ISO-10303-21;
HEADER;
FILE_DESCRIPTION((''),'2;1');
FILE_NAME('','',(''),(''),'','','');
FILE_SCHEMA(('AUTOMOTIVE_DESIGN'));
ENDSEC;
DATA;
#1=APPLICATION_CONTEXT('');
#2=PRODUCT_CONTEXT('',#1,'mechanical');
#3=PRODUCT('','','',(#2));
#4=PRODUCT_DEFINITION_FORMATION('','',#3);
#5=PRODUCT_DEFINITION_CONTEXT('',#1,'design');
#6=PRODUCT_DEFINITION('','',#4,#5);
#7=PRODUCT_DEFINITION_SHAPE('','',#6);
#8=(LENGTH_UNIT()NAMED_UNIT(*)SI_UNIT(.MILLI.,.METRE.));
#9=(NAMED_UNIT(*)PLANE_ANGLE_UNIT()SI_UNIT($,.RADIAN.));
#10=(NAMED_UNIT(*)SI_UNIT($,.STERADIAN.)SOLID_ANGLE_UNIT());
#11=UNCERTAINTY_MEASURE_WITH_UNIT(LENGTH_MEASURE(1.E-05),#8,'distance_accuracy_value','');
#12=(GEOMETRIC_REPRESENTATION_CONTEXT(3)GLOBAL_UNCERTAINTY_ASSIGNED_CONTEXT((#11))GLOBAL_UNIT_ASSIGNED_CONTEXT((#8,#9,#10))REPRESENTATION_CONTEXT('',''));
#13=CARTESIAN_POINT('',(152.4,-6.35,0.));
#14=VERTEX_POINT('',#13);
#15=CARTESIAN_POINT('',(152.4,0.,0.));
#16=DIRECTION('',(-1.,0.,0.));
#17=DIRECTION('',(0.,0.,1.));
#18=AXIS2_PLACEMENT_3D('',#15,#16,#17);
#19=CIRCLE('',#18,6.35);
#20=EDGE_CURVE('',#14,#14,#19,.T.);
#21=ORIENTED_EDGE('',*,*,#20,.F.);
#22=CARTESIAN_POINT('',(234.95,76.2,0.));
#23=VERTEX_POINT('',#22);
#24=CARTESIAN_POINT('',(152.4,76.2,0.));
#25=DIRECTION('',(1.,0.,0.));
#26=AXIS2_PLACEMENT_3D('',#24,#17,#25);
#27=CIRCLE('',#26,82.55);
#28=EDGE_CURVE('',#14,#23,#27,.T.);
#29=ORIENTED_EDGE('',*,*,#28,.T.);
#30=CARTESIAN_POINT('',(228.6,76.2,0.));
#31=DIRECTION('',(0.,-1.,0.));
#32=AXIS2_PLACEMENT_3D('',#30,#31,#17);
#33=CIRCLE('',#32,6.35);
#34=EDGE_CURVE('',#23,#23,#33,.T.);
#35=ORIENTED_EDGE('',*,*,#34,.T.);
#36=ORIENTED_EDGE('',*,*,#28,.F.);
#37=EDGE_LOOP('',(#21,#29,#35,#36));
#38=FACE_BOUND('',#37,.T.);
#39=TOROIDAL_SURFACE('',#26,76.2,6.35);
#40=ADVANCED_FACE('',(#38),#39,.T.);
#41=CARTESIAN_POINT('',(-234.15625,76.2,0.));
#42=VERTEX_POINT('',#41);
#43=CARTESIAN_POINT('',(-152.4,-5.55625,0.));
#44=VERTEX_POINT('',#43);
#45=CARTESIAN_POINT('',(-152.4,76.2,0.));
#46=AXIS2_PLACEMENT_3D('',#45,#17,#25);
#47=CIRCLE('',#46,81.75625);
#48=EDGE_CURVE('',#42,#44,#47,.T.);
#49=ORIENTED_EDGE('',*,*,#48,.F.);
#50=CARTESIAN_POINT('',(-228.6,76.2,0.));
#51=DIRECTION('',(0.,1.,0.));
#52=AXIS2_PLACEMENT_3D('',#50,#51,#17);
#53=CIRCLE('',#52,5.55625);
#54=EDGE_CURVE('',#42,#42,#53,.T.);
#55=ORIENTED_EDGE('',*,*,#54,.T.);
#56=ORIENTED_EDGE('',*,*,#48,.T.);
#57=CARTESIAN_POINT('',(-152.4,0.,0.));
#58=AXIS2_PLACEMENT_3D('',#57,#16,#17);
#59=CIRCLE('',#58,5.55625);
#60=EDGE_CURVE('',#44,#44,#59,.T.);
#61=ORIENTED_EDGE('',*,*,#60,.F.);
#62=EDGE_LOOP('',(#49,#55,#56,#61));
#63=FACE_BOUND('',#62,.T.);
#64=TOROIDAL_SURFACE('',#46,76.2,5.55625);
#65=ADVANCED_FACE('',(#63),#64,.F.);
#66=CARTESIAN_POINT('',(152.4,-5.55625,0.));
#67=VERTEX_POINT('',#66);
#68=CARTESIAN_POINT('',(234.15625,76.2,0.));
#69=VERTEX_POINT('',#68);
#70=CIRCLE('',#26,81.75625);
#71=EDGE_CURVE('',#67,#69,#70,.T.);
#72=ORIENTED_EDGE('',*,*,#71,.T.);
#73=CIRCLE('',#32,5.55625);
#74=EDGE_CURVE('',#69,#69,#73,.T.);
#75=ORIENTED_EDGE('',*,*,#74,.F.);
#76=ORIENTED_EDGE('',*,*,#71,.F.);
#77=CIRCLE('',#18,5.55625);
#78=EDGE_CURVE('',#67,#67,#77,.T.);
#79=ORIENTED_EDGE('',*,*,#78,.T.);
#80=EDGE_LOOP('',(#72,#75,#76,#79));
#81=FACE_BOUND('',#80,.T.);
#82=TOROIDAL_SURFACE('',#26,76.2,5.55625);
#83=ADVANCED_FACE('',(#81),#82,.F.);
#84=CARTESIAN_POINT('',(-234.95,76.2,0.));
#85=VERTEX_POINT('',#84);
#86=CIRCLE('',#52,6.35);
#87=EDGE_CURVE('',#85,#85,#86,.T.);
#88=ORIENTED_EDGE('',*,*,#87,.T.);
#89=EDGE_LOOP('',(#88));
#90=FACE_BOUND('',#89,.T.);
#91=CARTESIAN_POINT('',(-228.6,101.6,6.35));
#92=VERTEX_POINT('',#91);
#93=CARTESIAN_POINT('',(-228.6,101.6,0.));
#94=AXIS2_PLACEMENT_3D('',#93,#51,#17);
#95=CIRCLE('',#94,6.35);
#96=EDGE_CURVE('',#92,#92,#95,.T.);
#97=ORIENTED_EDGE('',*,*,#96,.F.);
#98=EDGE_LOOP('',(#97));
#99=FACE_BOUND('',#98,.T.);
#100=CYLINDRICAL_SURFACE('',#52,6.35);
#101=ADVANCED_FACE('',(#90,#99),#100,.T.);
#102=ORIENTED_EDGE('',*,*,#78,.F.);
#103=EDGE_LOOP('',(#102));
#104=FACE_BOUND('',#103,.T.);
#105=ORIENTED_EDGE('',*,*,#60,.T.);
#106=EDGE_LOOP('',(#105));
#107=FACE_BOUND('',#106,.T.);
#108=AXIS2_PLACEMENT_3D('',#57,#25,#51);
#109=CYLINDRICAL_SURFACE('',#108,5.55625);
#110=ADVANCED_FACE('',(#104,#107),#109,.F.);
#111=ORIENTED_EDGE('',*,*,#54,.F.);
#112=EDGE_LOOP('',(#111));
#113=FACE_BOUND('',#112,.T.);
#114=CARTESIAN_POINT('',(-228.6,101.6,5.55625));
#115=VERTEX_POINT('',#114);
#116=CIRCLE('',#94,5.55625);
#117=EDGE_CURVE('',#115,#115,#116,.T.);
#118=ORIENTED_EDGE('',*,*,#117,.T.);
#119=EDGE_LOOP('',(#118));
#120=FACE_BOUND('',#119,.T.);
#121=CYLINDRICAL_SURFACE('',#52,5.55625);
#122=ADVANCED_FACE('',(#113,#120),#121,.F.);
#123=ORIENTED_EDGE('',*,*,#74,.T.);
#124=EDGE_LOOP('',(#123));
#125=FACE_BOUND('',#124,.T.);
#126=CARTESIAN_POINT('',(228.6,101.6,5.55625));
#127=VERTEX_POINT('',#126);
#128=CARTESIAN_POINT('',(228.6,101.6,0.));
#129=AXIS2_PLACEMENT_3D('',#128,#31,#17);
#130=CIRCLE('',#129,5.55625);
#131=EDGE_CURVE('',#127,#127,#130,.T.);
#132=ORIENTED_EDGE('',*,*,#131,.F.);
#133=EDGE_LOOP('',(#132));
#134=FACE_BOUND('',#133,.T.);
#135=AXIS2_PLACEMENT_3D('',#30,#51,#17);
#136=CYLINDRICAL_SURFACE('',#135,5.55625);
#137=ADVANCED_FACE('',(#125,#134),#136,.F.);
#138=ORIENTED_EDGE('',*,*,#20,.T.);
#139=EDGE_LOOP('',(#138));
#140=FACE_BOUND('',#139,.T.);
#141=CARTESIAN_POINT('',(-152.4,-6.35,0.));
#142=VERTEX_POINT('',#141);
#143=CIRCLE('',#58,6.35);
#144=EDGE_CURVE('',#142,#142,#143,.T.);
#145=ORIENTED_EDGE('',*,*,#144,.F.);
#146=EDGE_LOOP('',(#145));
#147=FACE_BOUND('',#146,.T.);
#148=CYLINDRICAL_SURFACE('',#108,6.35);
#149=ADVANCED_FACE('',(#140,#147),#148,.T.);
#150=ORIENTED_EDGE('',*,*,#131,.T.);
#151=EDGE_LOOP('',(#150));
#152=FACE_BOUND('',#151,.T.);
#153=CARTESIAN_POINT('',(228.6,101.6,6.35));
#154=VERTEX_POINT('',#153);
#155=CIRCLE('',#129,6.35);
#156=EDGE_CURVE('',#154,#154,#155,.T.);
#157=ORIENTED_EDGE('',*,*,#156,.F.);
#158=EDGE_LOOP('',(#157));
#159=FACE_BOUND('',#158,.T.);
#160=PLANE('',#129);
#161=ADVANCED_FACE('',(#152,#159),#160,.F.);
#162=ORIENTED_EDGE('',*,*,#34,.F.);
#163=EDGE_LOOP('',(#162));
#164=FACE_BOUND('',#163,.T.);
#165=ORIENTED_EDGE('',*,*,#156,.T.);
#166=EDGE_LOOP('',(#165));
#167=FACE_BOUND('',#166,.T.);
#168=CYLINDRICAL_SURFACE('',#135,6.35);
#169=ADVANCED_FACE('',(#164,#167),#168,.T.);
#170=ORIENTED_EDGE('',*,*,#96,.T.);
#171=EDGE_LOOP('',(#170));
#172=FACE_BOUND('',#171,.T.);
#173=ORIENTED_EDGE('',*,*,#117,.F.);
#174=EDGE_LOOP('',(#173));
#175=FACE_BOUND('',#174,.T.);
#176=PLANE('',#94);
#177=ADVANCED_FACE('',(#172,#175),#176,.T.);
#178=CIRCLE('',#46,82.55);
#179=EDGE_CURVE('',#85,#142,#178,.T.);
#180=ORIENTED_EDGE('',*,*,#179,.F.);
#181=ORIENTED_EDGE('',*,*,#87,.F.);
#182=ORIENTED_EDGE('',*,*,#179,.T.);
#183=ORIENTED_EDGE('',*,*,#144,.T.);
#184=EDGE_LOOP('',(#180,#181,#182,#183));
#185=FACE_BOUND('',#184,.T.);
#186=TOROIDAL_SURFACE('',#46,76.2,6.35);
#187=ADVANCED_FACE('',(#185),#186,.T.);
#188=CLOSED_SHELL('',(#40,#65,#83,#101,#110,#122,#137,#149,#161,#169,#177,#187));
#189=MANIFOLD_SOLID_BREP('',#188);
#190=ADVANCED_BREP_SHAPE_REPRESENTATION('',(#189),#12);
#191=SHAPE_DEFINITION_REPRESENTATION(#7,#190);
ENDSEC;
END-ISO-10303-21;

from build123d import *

# Parameters (mm, degrees)
SKETCH2_R   = 6.35
SKETCH2_R_2 = 5.55625


with BuildPart() as part:
    # Sweep1: sweep along a path in Sketch1
    with BuildLine(Plane.XY) as sweep1_path:
        Line((-228.6, 101.6), (-228.6, 76.2))
        ThreePointArc((-228.6, 76.2), (-206.281536726, 22.318463274), (-152.4, 0))
        Line((-152.4, 0), (152.4, 0))
        ThreePointArc((152.4, 0), (206.281536726, 22.318463274), (228.6, 76.2))
        Line((228.6, 76.2), (228.6, 101.6))
    # Sketch2 → Sweep1 (sweep)
    with BuildSketch(Plane(origin=(-228.6, 101.6, 0), x_dir=(1, 0, 0), z_dir=(0, 1, 0))):
        Circle(SKETCH2_R)
        Circle(SKETCH2_R_2, mode=Mode.SUBTRACT)
    sweep(path=sweep1_path.line)


solid = part.part
